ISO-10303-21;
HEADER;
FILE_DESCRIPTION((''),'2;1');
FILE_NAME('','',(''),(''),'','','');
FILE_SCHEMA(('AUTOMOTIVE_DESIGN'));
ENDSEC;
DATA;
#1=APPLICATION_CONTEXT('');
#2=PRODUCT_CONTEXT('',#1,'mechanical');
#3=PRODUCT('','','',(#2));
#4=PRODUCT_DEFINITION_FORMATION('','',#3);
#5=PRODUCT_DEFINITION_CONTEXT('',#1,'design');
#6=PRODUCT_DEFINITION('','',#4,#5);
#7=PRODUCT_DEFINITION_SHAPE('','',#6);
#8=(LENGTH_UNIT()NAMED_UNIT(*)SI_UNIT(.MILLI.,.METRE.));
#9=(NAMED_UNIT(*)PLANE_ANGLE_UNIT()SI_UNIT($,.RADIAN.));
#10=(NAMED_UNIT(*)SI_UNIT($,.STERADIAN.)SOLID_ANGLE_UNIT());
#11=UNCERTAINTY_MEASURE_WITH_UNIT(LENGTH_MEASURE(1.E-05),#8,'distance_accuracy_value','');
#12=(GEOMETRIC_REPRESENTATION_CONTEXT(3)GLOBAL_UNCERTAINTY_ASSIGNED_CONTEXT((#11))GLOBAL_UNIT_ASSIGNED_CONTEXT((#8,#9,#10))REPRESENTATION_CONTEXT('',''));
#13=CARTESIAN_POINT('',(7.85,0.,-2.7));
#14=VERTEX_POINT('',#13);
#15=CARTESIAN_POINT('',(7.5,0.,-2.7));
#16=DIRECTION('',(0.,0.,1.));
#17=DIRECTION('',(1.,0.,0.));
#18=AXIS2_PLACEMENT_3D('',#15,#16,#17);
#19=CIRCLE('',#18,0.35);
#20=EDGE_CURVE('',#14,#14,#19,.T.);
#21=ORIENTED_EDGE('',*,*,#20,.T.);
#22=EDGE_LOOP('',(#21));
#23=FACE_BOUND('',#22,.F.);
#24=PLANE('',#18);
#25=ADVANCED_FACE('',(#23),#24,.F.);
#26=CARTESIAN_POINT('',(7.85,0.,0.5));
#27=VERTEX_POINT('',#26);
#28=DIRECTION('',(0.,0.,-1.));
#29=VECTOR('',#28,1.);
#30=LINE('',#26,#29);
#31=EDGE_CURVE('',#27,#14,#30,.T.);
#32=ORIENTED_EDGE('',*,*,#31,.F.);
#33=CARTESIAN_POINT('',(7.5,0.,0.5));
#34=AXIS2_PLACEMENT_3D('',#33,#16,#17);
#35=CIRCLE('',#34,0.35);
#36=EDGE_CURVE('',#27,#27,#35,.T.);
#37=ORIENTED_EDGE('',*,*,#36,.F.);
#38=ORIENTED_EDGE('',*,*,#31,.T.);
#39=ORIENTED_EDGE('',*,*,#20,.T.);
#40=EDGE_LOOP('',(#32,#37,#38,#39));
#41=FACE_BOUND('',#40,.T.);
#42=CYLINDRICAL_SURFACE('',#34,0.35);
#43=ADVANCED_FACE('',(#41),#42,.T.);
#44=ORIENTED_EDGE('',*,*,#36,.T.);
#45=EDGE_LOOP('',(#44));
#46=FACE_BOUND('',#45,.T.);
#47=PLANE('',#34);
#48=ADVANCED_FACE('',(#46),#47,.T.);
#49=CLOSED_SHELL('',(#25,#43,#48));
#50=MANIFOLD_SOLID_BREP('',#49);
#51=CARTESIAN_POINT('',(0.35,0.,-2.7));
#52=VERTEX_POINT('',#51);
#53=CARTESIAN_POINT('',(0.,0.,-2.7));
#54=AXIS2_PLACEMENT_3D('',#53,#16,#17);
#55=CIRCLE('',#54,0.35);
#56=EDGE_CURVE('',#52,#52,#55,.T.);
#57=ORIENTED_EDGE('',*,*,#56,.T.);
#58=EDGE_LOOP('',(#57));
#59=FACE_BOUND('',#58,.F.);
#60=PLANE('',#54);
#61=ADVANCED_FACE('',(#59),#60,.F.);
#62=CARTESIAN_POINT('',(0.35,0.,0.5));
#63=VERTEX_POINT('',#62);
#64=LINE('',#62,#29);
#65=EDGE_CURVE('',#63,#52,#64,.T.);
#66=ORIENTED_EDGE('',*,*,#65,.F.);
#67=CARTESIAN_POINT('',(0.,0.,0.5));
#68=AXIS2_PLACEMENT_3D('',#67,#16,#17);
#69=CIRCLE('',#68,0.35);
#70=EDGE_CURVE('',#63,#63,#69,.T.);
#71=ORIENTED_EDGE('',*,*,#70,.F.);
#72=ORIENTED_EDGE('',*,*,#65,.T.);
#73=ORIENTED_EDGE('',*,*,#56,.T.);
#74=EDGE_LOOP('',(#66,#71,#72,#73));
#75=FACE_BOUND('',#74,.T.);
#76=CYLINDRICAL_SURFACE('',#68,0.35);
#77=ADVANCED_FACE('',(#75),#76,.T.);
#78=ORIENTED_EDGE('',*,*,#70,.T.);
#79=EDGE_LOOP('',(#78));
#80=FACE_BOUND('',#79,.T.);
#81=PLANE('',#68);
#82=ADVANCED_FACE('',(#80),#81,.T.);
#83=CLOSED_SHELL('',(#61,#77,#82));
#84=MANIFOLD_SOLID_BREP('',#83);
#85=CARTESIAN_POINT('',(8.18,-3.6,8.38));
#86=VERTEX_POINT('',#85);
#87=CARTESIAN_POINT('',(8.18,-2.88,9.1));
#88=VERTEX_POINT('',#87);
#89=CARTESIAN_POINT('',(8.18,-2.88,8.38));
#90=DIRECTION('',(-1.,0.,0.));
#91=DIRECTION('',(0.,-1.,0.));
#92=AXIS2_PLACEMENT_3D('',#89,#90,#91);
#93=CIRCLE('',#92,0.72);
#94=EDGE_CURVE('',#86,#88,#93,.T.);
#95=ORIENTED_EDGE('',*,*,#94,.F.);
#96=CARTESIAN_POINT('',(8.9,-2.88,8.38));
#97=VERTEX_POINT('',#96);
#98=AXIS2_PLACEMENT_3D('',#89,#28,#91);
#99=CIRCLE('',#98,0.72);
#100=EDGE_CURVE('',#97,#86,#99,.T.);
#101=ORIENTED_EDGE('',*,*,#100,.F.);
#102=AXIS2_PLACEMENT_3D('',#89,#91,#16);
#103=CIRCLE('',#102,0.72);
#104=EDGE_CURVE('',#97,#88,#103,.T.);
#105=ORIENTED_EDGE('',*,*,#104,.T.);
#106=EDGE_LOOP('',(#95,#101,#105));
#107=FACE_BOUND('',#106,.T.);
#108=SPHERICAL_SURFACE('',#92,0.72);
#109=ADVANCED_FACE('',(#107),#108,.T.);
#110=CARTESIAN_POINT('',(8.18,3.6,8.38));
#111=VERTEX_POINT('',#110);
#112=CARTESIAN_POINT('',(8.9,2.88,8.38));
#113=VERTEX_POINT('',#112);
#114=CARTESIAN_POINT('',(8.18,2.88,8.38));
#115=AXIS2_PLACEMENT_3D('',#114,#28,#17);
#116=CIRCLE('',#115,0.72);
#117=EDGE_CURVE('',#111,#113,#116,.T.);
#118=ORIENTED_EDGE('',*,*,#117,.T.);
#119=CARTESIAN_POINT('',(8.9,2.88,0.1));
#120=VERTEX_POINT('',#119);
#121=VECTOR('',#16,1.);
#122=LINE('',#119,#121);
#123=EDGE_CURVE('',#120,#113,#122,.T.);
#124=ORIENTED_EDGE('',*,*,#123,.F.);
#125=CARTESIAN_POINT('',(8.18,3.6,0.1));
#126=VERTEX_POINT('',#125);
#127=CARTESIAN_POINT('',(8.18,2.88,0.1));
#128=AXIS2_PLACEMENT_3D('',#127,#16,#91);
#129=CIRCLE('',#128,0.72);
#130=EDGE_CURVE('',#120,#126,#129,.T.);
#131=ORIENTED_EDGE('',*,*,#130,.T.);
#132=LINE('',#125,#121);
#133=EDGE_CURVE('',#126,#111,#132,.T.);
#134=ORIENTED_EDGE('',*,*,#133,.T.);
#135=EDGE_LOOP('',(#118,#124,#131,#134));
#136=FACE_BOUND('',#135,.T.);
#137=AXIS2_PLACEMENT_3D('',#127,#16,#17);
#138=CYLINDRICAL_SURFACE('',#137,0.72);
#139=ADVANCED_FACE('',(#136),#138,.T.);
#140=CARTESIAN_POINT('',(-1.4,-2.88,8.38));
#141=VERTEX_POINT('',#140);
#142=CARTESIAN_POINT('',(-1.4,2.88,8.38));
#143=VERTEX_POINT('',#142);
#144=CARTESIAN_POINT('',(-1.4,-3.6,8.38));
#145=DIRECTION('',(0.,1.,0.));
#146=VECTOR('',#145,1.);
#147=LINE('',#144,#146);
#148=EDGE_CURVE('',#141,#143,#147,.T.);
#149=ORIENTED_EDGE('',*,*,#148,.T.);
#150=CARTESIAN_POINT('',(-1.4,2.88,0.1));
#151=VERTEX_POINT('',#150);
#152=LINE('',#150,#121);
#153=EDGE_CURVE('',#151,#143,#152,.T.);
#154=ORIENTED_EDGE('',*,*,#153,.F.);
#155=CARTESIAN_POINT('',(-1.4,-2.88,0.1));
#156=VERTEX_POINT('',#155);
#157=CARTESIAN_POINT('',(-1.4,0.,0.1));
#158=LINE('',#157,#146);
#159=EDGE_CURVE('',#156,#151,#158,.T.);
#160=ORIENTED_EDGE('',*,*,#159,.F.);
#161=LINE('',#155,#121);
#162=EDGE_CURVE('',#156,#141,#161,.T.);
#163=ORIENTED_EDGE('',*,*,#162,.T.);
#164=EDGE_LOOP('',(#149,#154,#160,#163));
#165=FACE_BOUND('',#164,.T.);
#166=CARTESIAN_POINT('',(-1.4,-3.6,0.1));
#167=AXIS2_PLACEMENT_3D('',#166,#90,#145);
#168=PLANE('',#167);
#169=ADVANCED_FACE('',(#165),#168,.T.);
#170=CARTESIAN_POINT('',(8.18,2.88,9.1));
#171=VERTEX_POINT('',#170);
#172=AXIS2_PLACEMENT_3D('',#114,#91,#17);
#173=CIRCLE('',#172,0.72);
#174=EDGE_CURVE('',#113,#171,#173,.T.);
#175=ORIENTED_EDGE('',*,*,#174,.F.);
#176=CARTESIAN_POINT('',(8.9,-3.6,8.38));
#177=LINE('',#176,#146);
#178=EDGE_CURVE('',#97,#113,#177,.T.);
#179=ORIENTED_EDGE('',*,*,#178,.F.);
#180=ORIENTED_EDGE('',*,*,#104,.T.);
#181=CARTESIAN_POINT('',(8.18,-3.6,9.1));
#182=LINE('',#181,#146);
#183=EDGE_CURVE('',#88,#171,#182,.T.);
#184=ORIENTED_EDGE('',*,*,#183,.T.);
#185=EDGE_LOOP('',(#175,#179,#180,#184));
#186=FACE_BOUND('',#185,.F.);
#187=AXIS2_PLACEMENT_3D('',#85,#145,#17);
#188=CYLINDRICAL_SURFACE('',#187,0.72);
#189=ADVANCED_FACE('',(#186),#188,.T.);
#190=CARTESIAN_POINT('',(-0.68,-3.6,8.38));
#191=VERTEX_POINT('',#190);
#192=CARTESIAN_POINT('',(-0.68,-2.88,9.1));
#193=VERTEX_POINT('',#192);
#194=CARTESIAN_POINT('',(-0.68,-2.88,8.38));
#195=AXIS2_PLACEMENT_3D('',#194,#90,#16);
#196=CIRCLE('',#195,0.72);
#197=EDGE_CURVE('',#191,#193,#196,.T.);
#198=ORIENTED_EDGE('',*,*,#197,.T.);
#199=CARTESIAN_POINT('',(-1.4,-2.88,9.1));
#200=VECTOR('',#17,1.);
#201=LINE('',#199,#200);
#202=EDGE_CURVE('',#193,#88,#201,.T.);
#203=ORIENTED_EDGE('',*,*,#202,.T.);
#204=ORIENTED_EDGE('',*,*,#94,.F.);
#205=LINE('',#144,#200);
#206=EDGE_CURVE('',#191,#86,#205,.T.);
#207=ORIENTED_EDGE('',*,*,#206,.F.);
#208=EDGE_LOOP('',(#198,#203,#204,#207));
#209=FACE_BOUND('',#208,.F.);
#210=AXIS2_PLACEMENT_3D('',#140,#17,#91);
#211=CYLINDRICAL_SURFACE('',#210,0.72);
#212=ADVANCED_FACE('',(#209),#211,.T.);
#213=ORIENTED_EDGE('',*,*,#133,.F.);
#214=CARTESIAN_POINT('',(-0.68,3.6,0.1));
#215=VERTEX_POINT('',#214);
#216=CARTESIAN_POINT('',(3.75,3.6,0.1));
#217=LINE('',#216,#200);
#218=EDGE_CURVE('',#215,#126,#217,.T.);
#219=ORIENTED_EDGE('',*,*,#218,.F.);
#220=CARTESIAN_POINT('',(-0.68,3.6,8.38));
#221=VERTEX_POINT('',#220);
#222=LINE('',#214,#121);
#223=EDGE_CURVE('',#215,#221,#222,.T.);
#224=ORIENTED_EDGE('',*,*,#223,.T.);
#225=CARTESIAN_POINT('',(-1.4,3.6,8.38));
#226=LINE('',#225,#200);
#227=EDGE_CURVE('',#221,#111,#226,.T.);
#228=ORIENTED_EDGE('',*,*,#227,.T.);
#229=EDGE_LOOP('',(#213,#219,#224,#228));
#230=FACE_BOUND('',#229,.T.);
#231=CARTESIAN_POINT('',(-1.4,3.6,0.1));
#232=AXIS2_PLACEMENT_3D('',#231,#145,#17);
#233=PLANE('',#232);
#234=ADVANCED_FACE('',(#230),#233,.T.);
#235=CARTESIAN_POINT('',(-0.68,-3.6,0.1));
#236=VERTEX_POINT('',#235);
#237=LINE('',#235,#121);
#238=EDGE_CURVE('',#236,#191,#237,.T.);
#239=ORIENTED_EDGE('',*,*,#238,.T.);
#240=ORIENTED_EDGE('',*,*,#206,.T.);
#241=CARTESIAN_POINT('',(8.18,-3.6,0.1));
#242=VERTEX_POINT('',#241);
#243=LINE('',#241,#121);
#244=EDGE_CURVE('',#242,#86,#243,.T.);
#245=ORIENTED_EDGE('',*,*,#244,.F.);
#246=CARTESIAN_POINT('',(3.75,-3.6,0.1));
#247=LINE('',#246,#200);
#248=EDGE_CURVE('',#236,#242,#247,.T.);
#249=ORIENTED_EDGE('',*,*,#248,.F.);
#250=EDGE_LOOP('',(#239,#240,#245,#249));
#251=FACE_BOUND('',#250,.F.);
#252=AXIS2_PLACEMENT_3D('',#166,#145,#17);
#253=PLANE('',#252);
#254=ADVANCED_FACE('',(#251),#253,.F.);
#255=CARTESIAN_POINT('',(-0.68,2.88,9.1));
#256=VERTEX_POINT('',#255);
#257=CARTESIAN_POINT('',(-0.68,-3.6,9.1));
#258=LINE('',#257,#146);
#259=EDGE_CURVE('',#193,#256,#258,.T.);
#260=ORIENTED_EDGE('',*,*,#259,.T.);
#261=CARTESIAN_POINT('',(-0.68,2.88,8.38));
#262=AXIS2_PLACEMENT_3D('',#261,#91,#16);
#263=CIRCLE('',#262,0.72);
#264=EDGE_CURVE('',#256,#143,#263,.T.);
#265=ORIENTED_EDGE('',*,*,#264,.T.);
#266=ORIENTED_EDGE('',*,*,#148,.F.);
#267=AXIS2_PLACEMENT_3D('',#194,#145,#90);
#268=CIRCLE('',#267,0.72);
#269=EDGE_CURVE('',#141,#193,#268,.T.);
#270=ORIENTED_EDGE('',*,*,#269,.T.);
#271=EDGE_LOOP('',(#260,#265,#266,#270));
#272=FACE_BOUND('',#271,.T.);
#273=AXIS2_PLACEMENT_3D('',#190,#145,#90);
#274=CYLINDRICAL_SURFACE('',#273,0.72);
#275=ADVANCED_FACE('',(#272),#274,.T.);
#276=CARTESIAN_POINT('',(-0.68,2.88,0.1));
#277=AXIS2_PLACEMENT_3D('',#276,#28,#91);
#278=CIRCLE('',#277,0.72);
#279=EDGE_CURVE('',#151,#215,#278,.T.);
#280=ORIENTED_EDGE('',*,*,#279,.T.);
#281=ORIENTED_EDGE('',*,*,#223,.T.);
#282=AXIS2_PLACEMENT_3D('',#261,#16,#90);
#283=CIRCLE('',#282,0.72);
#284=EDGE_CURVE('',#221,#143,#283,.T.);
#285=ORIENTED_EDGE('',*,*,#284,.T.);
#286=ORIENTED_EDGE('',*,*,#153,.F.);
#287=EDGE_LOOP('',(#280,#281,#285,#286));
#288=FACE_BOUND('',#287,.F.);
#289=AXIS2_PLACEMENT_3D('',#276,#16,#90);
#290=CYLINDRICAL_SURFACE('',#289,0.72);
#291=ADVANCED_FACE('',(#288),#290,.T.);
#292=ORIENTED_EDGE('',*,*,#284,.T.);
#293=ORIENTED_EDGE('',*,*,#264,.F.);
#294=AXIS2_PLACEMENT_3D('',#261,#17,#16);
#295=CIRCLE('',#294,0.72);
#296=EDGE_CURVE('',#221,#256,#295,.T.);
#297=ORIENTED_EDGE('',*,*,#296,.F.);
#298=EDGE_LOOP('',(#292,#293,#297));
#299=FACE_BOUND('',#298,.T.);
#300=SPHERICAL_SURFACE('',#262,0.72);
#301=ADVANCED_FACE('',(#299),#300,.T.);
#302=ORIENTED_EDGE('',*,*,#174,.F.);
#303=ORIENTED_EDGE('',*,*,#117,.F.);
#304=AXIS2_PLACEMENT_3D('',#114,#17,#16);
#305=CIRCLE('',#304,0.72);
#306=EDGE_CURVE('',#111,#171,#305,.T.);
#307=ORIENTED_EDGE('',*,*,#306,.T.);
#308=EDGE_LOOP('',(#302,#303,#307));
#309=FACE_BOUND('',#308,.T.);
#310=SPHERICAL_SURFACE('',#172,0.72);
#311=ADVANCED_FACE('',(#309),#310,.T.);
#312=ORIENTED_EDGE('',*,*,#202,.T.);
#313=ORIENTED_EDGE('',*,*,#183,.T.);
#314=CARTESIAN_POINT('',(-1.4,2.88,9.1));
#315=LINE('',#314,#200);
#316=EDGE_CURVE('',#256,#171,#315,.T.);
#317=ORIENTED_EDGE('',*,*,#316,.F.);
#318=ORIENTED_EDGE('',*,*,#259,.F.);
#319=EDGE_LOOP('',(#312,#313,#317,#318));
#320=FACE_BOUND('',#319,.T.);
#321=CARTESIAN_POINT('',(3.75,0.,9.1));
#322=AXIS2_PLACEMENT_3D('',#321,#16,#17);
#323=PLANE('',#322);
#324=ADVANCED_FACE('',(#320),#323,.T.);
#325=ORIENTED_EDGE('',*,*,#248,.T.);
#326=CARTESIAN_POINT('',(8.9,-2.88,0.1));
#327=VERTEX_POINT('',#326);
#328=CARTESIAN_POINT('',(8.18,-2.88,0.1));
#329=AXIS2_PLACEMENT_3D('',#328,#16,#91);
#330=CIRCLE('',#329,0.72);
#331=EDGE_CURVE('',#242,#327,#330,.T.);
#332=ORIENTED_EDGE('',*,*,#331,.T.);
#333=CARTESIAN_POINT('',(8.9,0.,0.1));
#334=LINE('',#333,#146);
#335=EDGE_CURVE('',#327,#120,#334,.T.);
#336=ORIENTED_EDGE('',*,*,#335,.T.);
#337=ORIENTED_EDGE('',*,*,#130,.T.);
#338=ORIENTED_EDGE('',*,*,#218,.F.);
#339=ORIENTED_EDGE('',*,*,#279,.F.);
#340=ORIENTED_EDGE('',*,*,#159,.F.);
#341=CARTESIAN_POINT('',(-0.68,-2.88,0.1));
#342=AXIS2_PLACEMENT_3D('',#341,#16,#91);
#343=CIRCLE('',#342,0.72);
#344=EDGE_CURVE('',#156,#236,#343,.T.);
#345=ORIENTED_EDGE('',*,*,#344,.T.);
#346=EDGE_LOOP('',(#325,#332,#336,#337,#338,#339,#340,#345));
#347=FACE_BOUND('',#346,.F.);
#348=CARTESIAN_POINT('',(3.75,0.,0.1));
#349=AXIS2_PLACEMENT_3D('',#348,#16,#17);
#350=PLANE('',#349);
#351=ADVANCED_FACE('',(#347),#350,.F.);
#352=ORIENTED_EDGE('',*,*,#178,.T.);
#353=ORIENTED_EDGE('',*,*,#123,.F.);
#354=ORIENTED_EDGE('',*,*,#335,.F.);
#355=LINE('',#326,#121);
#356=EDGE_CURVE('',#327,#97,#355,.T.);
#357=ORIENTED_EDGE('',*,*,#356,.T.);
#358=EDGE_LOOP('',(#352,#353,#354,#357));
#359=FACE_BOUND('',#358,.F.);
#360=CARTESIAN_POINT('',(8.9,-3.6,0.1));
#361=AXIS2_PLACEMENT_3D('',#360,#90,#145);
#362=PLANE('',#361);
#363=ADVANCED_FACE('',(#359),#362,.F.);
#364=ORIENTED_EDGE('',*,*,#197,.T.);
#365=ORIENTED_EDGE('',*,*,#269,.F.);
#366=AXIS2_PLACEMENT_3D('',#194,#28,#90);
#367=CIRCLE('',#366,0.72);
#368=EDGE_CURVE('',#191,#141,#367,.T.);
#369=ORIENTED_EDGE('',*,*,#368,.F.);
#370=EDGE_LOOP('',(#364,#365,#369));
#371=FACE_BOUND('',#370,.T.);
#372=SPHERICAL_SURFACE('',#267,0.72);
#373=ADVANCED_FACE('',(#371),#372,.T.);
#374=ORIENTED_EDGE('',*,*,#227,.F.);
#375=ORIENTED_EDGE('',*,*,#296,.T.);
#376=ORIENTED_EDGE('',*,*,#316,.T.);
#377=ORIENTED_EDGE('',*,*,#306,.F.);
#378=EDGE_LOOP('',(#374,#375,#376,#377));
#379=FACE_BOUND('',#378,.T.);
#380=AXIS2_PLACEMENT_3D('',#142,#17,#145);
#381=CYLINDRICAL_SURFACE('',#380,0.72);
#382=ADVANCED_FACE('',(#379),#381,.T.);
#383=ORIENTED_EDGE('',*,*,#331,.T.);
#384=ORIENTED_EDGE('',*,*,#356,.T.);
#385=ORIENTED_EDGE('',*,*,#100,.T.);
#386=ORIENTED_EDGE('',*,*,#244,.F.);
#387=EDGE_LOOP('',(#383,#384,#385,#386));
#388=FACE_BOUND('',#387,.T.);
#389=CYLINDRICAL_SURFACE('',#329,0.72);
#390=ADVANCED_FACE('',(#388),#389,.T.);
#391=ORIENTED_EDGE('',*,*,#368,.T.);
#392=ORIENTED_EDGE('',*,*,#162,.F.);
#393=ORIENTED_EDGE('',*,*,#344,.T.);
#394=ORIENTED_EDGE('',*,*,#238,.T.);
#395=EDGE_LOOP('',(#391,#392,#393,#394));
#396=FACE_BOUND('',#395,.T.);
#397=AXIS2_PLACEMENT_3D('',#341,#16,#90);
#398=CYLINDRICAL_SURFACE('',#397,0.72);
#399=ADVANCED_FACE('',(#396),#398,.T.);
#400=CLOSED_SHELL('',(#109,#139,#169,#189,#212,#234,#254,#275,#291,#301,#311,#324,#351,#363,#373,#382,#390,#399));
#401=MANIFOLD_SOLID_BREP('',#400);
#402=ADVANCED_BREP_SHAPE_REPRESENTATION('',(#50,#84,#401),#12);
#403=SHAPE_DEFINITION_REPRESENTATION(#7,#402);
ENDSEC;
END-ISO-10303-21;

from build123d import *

# Parameters (mm, degrees)
SKETCH_W     = 10.3
SKETCH_H     = 7.2
PAD_DEPTH    = 9
FILLET_R     = 0.72
SKETCH001_R  = 0.35
PAD001_DEPTH = 3.2


with BuildPart() as fillet_body:
    # Sketch → Pad (new body)
    with BuildSketch(Plane.XY.offset(0.1)):
        with Locations((3.75, 0)):
            Rectangle(SKETCH_W, SKETCH_H)
    extrude(amount=PAD_DEPTH)

    # Fillet
    fillet_edges = [fillet_body.edges().sort_by_distance(p)[0] for p in [
        (-1.4, 0, 9.1),
        (-1.4, -3.6, 4.6),
        (3.75, -3.6, 9.1),
        (8.9, -3.6, 4.6),
        (8.9, 0, 9.1),
        (8.9, 3.6, 4.6),
        (3.75, 3.6, 9.1),
        (-1.4, 3.6, 4.6),
    ]]
    fillet(fillet_edges, radius=FILLET_R)


with BuildPart() as pad001:
    # Sketch001 → Pad001 (new body)
    with BuildSketch(Plane.XY.offset(0.5)):
        Circle(SKETCH001_R)
        with Locations((7.5, 0)):
            Circle(SKETCH001_R)
    extrude(amount=-PAD001_DEPTH)


solid = Compound([fillet_body.part, pad001.part])
